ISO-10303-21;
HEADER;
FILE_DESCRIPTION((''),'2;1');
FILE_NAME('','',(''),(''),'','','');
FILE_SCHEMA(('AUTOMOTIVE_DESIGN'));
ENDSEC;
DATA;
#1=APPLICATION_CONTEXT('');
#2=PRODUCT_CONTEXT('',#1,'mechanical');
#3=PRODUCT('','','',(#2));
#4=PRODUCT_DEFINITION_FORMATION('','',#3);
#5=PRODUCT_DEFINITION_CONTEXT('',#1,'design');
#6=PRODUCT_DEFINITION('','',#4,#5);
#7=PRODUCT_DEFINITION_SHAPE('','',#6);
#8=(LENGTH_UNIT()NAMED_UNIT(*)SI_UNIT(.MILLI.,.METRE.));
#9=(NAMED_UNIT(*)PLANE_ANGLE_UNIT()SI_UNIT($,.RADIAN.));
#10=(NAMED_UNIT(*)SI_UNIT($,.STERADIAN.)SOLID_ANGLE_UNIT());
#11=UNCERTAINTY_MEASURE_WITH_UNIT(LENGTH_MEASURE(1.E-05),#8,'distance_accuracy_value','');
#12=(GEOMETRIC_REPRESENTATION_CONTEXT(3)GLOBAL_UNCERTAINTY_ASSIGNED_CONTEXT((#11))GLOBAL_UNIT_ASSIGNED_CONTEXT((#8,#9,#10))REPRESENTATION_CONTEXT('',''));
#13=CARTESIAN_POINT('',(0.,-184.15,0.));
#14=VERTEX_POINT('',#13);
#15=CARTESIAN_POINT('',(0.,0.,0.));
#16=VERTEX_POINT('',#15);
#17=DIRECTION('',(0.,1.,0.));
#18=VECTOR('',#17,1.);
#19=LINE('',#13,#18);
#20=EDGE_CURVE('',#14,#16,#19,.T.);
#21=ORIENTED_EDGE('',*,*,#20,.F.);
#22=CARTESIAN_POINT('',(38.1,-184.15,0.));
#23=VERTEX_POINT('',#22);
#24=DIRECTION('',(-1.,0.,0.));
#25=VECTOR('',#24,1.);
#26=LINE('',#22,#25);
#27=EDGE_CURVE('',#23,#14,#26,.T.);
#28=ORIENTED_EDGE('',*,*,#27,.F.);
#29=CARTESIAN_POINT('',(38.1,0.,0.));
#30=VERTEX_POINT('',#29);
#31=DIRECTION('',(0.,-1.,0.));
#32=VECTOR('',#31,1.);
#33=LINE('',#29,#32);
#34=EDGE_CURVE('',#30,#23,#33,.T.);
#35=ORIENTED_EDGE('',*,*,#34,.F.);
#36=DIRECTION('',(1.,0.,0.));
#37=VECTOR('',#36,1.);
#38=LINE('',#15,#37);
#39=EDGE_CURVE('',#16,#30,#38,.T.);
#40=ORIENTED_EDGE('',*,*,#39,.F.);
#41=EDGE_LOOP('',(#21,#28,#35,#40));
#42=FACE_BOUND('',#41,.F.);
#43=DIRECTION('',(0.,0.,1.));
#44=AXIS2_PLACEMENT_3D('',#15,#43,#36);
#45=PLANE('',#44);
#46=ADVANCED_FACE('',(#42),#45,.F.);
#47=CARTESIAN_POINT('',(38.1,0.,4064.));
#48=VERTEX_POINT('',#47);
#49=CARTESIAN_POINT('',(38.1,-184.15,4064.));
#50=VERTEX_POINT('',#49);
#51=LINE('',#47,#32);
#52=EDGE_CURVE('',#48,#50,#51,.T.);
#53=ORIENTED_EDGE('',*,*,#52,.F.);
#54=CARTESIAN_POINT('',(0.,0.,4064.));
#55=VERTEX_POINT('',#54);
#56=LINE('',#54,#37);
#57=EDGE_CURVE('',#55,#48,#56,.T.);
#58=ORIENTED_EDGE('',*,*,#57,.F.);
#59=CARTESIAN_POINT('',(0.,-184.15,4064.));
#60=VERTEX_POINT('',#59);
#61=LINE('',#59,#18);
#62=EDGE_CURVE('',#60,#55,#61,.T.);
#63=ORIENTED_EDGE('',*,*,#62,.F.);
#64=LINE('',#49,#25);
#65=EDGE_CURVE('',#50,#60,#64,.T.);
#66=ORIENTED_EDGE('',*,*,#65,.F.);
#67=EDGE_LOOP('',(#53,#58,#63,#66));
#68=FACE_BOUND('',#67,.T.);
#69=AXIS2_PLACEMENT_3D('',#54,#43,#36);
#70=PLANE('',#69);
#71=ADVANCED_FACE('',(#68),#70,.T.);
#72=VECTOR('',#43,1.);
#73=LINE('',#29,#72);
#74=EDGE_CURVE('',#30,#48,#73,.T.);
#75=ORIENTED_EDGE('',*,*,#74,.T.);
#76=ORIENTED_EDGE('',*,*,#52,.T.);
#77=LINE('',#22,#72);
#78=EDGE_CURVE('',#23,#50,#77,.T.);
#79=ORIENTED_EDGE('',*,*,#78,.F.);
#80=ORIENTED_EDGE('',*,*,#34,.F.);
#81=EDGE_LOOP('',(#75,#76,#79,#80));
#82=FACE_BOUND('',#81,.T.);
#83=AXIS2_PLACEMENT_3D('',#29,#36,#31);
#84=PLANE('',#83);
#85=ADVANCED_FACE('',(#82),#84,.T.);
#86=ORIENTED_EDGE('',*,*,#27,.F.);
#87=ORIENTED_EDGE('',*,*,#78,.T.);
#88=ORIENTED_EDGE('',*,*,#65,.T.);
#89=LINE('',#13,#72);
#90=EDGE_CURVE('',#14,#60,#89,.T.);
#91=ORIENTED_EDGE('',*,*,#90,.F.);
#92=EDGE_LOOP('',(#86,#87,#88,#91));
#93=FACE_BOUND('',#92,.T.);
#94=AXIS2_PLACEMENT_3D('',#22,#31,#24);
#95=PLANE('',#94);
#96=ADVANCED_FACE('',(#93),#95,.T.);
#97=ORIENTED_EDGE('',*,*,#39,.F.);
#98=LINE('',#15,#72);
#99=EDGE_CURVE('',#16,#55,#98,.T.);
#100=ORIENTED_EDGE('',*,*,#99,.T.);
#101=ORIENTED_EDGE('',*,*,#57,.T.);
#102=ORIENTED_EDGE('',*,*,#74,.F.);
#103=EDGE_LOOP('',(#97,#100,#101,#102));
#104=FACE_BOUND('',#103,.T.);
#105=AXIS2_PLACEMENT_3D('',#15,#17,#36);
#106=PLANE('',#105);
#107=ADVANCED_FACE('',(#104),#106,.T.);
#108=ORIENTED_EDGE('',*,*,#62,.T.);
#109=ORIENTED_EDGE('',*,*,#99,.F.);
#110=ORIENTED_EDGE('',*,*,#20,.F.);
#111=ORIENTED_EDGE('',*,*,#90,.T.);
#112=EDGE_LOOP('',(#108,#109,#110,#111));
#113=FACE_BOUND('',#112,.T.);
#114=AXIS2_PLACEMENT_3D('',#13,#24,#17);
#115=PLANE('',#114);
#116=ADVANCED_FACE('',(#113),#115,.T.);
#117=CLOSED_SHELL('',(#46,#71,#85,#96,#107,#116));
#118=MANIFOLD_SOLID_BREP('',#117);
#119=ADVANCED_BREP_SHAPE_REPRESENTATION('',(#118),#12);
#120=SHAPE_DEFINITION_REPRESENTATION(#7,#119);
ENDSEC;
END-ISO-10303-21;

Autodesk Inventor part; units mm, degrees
ref_plane "YZ Plane" through (0, 0, 0) normal (1, 0, 0) x (0, 1, 0)
ref_plane "XZ Plane" through (0, 0, 0) normal (0, 1, 0) x (-1, 0, 0)
ref_plane "XY Plane" through (0, 0, 0) normal (0, 0, 1) x (1, 0, 0)
sketch "Sketch1" plane through (0, 0, 0) normal (0, 0, 1) x (1, 0, 0)
  line L0 (0, 0) -> (38.1, 0)
  line L1 (38.1, 0) -> (38.1, -184.15)
  line L2 (38.1, -184.15) -> (0, -184.15)
  line L3 (0, -184.15) -> (0, 0)
  dimension "d0" = 38.1
  dimension "d1" = 184.15
extrude "Extrusion1" add sketch "Sketch1" along normal blind 4064
properties part number "Support Board" material "Wood (Birch)"
